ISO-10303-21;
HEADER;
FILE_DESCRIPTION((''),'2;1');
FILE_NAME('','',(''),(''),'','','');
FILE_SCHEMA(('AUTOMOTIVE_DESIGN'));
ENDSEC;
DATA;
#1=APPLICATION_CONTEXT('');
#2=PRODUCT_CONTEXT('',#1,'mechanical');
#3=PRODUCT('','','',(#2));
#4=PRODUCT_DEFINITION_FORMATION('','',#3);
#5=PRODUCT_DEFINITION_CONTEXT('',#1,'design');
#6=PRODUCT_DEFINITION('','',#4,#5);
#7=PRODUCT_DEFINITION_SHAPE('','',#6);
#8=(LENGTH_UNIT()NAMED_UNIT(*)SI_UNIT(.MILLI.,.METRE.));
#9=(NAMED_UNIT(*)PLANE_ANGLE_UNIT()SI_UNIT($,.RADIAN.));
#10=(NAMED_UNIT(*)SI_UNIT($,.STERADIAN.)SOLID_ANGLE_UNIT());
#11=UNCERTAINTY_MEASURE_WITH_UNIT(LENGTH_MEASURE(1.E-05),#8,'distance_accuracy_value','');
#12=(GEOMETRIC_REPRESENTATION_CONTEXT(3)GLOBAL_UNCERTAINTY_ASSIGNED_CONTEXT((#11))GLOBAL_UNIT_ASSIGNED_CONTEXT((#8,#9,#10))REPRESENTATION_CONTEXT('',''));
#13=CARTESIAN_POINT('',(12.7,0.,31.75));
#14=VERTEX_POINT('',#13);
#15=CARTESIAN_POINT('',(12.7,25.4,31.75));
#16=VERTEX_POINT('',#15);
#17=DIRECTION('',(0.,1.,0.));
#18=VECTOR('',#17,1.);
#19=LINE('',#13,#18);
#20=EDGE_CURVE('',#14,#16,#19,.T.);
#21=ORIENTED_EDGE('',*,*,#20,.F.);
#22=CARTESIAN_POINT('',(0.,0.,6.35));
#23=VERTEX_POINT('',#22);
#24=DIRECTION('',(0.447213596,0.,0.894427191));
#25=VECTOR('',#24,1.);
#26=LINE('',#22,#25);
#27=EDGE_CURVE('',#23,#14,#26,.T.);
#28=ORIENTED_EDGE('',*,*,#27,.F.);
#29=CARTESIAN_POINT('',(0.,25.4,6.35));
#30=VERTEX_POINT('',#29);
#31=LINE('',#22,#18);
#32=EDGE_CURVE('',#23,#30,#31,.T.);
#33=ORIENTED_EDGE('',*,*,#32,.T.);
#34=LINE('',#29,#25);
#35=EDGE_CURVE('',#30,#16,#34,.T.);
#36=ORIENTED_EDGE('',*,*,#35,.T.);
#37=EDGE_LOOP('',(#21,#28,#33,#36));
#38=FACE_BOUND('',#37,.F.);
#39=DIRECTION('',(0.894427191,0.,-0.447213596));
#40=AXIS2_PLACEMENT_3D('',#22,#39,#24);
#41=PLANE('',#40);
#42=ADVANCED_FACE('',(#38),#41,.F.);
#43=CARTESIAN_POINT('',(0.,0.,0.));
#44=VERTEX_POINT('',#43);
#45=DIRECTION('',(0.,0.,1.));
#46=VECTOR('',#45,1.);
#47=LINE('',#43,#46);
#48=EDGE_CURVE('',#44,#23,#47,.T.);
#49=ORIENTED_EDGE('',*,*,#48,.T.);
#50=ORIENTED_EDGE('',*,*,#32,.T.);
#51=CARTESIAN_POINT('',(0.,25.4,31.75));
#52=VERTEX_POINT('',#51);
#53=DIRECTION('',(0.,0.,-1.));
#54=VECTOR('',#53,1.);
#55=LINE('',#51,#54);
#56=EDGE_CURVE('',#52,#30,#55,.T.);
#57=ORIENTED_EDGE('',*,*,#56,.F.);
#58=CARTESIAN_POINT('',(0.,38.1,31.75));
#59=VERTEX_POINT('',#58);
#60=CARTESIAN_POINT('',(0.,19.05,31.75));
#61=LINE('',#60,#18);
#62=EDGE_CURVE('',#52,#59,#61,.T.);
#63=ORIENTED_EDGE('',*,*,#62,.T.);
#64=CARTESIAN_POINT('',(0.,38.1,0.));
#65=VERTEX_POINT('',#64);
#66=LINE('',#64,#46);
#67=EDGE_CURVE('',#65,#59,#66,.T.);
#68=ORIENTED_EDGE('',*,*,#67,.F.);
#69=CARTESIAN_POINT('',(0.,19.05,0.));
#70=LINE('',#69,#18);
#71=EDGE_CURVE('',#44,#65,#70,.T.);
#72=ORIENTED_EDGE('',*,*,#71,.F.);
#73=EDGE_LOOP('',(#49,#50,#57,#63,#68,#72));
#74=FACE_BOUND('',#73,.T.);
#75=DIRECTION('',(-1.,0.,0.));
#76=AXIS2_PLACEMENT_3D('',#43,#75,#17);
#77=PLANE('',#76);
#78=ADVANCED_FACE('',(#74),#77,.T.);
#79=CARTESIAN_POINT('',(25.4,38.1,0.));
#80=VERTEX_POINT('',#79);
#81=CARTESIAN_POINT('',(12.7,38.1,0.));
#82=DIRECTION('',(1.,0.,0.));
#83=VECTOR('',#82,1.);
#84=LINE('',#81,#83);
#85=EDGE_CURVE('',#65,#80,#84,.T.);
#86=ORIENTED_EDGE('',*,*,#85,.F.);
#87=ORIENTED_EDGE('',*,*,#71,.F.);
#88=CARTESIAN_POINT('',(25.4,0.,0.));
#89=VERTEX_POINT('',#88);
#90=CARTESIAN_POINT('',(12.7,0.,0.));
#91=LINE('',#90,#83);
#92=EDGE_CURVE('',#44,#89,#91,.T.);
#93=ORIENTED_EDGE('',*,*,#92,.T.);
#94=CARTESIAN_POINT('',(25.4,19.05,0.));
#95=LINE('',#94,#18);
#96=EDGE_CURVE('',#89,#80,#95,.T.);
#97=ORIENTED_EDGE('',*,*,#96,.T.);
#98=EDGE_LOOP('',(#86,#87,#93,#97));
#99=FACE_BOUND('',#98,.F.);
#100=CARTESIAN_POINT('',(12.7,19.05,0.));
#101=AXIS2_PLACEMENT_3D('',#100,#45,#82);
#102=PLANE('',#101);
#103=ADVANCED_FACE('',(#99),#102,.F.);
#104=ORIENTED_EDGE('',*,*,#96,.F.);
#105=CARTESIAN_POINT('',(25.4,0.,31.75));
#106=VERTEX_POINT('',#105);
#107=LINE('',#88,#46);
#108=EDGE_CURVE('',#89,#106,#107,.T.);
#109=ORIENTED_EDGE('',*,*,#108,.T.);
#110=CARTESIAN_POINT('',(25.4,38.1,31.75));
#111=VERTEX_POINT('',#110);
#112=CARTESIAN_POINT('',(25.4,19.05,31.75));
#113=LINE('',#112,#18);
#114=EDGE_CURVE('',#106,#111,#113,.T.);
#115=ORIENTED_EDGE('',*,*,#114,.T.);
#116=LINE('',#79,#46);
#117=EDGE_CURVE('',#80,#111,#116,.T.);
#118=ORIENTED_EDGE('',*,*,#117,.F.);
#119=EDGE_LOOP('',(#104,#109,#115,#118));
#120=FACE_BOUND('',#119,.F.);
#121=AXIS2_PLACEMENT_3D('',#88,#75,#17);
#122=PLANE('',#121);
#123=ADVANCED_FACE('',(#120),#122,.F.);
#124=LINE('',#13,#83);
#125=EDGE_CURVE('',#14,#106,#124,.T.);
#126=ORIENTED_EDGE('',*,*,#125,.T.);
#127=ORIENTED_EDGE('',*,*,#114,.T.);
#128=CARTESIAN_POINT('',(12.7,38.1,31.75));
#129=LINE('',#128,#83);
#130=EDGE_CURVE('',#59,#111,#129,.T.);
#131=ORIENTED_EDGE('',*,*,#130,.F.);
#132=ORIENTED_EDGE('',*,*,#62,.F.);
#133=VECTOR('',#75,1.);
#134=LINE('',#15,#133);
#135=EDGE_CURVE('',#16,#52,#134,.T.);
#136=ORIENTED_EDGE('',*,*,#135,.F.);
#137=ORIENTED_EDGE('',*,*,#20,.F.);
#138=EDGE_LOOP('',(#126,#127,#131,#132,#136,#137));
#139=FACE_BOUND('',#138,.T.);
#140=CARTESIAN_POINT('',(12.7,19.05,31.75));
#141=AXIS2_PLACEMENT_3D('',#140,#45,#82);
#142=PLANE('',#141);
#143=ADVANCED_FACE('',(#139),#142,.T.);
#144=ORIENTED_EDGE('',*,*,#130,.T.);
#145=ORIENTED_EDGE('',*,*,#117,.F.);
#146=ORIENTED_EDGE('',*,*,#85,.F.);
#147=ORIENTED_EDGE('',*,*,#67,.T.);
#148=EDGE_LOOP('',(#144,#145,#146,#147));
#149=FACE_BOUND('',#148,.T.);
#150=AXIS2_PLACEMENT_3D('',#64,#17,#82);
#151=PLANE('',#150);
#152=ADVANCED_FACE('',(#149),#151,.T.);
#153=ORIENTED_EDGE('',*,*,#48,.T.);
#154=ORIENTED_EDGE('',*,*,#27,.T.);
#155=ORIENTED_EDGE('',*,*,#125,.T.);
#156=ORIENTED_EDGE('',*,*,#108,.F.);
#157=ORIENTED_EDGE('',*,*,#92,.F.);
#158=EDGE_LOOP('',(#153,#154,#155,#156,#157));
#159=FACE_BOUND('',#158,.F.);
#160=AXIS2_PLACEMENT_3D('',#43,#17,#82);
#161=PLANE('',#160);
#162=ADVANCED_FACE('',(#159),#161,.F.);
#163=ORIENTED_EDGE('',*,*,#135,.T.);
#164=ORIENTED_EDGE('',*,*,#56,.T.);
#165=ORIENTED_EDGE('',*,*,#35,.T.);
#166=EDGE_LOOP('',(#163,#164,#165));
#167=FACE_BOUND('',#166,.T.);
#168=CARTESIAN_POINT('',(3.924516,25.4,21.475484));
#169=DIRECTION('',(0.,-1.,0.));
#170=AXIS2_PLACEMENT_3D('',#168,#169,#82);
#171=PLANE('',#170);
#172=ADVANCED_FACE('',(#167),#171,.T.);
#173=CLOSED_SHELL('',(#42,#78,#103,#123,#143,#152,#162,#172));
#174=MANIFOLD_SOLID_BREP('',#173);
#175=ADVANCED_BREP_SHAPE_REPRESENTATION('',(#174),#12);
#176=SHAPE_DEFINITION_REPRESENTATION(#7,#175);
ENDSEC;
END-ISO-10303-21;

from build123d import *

# Parameters (mm, degrees)
F0_W     = 25.4
F0_H     = 38.1
F1_DEPTH = 31.75
F3_DEPTH = 25.4


with BuildPart() as f1:
    # F0 (on Top) → F1 (new body)
    with BuildSketch(Plane.XY):
        with Locations((12.7, 19.05)):
            Rectangle(F0_W, F0_H)
    extrude(amount=F1_DEPTH)

    # F2 (on face) → F3 (cut)
    with BuildSketch(Plane.XZ):
        Polygon((0, 6.35), (12.7, 31.75), (0, 31.75), align=None)
    extrude(amount=-F3_DEPTH, mode=Mode.SUBTRACT)


solid = f1.part
